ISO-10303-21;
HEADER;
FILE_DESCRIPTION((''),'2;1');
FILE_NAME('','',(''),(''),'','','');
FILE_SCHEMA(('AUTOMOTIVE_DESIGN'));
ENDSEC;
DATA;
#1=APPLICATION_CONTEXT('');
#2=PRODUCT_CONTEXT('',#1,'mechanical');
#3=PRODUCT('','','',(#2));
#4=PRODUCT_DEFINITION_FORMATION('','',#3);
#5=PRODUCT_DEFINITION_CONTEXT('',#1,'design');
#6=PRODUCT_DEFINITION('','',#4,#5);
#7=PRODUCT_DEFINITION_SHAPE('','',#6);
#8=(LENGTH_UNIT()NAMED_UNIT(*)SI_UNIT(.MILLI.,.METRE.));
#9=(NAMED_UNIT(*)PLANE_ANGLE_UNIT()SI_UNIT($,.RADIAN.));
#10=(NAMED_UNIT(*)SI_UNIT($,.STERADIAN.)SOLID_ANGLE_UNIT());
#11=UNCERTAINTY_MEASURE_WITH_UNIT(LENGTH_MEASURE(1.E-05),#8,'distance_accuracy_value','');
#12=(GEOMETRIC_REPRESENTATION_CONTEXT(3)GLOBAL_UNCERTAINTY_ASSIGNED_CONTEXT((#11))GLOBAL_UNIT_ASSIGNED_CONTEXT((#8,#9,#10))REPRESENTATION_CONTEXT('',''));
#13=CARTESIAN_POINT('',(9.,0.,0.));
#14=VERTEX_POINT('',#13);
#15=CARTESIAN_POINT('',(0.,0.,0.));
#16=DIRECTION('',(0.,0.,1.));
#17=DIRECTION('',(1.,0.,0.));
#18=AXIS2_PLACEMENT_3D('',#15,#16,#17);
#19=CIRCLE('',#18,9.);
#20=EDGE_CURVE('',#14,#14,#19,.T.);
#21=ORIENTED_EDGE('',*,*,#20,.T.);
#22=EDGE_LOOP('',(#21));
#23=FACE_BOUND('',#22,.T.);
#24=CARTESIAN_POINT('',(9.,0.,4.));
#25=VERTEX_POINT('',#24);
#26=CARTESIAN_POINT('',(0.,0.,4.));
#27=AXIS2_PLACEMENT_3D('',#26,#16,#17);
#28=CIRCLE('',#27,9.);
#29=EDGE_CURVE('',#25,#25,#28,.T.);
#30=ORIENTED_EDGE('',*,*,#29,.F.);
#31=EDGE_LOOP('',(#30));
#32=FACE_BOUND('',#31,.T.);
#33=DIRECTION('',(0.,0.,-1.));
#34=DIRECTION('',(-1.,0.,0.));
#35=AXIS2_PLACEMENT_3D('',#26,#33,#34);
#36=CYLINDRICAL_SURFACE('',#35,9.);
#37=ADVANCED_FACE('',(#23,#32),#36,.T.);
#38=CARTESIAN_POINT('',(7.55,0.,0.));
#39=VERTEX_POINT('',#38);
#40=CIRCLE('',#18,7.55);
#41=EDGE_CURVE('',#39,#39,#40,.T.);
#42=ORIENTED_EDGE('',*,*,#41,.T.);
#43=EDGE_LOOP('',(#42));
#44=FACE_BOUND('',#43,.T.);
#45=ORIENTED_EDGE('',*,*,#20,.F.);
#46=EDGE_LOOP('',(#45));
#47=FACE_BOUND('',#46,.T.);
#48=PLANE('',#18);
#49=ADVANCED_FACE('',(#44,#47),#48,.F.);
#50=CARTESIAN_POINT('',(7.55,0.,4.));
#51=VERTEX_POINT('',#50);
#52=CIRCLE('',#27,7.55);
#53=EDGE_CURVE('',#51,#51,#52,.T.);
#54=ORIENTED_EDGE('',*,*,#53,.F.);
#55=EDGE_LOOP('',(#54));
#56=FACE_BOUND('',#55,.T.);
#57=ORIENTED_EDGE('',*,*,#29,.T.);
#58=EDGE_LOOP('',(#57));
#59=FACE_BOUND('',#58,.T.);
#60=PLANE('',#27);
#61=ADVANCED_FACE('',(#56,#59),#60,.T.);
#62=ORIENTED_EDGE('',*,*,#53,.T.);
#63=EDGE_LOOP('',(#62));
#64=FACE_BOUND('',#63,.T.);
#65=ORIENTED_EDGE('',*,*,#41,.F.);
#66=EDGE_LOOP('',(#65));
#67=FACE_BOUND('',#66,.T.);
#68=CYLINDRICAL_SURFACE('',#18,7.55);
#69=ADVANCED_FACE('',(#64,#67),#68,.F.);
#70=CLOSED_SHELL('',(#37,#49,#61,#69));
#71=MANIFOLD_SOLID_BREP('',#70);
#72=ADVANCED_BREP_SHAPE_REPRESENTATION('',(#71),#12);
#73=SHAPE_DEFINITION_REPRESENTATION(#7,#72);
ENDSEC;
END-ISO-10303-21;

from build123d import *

# Parameters (mm, degrees)
SKETCH1_R           = 9
BOSS_EXTRUDE1_DEPTH = 4
SKETCH2_R           = 7.55
CUT_EXTRUDE1_DEPTH  = 4


with BuildPart() as part:
    # Sketch1 → Boss-Extrude1 (new body)
    with BuildSketch(Plane(origin=(0, 0, 0), x_dir=(0, 1, 0), z_dir=(0, 0, 1))):
        with Locations(Location((0, 0, 0), (0, 0, 270))):
            Circle(SKETCH1_R)
    extrude(amount=BOSS_EXTRUDE1_DEPTH)

    # Sketch2 → Cut-Extrude1 (cut)
    with BuildSketch(Plane.XY.offset(4)):
        Circle(SKETCH2_R)
    extrude(amount=-CUT_EXTRUDE1_DEPTH, mode=Mode.SUBTRACT)


solid = part.part
